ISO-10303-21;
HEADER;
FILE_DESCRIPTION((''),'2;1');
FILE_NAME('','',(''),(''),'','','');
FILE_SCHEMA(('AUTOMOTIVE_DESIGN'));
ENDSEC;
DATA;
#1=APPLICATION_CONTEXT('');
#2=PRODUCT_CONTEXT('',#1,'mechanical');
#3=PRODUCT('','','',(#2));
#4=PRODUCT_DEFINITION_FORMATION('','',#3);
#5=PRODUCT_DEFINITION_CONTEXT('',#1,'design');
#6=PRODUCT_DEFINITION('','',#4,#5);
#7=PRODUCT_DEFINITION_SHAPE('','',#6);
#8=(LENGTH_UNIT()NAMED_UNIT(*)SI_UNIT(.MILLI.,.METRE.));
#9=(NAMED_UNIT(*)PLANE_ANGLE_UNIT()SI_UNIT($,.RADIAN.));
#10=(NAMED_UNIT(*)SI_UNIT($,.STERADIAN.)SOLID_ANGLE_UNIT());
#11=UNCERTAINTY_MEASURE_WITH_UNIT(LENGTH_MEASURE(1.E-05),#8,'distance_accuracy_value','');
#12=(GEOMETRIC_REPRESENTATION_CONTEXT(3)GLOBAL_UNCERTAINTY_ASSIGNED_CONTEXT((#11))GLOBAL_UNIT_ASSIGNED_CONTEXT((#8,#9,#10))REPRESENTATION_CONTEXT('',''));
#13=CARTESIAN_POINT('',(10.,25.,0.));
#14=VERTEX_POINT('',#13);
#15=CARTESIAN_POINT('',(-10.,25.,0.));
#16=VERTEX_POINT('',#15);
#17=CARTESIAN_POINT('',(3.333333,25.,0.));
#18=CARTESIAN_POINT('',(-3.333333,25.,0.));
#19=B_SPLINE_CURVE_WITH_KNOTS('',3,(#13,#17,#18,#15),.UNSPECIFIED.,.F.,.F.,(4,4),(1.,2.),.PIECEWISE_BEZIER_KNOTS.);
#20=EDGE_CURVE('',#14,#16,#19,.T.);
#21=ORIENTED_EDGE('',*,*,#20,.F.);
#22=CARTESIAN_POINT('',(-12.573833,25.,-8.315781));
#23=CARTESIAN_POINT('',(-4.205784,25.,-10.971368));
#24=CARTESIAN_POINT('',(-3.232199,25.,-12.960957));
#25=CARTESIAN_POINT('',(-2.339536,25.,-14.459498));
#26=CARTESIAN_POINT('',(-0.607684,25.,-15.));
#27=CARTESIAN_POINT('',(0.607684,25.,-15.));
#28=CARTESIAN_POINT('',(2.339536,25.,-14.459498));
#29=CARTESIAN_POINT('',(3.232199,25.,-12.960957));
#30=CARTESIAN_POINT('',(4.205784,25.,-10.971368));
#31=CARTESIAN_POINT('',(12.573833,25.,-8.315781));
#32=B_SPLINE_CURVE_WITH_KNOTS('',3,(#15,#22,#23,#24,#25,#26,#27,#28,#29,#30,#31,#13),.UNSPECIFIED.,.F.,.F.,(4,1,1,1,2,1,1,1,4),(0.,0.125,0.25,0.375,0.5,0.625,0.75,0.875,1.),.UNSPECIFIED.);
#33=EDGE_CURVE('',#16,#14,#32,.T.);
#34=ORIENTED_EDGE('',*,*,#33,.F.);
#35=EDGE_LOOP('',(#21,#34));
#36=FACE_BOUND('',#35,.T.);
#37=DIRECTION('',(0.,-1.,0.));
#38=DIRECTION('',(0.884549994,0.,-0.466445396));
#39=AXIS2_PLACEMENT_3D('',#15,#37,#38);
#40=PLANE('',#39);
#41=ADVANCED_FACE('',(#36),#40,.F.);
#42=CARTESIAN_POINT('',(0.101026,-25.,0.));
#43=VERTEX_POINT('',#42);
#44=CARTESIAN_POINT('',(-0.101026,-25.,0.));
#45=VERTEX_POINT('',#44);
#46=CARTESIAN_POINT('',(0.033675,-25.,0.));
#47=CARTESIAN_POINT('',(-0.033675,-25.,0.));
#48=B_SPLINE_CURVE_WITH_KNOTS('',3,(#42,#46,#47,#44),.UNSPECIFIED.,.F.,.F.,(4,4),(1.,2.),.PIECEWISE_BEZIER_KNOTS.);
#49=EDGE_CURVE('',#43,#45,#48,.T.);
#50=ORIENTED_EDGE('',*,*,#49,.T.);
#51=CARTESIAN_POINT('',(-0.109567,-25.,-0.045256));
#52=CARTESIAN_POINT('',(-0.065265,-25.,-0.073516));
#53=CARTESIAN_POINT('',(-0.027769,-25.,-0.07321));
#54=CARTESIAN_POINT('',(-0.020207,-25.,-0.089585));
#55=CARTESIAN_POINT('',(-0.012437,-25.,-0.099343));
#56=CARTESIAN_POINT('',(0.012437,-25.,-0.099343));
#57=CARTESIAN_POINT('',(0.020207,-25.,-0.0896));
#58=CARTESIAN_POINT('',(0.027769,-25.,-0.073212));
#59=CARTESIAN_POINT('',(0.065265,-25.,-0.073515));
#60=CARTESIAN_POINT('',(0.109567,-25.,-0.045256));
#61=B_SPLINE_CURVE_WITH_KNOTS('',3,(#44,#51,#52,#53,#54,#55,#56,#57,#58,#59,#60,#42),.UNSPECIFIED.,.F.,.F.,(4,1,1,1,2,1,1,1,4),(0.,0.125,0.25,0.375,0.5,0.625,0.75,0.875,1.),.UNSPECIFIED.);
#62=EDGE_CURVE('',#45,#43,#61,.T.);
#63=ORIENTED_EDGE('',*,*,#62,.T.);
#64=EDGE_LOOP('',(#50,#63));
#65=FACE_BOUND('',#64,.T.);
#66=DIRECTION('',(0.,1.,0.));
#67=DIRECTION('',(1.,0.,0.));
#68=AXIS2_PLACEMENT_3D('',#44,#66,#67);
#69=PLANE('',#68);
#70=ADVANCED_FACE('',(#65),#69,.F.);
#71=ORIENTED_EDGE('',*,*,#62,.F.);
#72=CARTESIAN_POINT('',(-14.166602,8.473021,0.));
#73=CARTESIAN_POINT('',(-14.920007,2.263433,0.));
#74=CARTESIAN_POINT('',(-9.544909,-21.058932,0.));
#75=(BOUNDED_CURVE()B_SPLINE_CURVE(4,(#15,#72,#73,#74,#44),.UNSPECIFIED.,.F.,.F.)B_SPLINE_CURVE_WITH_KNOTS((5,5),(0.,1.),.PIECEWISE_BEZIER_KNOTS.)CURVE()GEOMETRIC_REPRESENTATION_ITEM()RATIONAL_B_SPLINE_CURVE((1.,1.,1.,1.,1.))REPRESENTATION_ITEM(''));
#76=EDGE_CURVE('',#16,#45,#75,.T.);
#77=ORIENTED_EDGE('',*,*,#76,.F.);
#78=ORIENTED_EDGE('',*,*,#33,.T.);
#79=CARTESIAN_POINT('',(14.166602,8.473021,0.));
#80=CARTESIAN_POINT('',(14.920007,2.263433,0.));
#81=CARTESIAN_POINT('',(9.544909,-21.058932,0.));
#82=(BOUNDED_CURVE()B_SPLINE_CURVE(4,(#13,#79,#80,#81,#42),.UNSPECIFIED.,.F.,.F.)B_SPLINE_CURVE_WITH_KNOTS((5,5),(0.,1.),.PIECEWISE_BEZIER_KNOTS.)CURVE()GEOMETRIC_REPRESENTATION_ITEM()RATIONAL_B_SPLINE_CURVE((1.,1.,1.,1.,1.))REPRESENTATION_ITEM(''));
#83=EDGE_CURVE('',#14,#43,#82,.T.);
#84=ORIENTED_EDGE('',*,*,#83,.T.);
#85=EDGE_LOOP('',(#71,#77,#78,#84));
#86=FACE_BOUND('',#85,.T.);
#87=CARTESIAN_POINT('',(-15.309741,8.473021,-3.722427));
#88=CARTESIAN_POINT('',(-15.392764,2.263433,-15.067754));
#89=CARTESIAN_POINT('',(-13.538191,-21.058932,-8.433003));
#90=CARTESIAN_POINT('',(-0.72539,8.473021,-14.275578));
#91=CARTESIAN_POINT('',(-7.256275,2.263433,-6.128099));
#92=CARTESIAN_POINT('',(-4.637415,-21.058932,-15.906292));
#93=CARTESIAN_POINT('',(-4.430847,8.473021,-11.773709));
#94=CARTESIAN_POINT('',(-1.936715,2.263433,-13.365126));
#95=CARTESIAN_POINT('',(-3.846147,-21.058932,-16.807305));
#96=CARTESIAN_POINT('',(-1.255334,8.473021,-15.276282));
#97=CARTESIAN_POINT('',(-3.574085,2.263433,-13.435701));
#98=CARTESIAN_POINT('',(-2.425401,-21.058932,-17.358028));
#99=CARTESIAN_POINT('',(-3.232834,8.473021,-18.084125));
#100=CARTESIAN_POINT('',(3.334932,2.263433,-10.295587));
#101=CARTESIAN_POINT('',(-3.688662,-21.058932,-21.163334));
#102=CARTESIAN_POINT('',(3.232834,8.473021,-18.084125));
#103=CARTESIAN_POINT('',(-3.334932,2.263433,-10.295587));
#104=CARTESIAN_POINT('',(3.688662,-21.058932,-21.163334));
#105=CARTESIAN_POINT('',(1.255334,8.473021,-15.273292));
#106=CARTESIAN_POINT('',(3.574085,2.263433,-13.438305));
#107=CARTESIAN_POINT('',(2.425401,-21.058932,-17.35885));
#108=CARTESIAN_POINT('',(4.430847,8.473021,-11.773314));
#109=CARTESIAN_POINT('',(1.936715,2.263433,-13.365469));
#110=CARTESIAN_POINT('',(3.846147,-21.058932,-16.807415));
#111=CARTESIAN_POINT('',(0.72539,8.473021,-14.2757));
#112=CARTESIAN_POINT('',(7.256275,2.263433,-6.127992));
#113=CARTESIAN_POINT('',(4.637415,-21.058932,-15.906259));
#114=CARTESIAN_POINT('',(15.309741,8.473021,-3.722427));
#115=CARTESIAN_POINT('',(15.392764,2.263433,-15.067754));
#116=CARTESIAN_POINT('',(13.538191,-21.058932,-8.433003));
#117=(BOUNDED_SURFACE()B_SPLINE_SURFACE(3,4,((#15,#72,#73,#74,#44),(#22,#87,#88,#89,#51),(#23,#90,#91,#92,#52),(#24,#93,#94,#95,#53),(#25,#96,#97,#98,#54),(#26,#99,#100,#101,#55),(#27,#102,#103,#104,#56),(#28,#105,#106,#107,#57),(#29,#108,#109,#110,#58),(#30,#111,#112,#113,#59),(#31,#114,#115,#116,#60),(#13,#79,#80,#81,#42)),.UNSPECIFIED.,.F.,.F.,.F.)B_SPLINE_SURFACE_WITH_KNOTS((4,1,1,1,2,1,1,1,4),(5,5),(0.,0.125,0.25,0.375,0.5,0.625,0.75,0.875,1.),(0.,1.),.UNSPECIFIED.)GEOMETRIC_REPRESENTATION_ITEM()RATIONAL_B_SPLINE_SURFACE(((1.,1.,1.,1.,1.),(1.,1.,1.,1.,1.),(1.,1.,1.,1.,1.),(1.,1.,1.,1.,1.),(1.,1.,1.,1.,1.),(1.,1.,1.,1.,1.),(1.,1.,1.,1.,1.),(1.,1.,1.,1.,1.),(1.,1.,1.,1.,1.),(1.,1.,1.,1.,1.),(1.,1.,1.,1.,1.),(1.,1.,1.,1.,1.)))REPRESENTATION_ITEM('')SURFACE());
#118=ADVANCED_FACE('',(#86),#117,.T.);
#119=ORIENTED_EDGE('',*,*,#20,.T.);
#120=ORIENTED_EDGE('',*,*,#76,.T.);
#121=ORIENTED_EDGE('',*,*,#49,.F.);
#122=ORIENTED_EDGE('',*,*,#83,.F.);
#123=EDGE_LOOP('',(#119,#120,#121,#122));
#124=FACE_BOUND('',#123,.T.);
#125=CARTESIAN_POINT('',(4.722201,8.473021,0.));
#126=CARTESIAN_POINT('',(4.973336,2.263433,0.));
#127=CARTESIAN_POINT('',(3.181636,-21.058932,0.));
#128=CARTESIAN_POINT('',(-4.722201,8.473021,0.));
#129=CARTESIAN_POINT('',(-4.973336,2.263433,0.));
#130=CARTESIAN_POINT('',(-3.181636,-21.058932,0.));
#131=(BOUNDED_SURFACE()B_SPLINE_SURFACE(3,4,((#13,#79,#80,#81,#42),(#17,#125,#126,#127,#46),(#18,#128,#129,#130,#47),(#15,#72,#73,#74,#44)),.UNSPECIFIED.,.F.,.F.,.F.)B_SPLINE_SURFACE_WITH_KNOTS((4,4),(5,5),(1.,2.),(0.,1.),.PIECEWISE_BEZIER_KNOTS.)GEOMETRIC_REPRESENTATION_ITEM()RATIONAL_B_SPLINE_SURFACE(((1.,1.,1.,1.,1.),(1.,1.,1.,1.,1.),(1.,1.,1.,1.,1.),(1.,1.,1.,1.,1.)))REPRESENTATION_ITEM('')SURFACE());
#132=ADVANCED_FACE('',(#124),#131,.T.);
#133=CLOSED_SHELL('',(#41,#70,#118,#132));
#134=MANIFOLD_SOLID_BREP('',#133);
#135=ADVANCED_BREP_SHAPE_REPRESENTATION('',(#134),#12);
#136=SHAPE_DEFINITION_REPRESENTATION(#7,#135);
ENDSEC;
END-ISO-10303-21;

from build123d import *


with BuildPart() as part:
    # Sketch → AdditiveLoft section 0
    with BuildSketch(Plane.XZ.offset(-25)):
        with BuildLine():
            add(Edge.make_bspline(
                [(-10, 0), (-12.573833, -8.315781), (-4.205784, -10.971368), (-3.232199, -12.960957), (-2.339536, -14.459498), (-0.607684, -15), (0, -15)],
                knots=[0, 0, 0, 0, 0.25, 0.5, 0.75, 1, 1, 1, 1], degree=3))
            add(Edge.make_bspline(
                [(10, 0), (12.573833, -8.315781), (4.205784, -10.971368), (3.232199, -12.960957), (2.339536, -14.459498), (0.607684, -15), (0, -15)],
                knots=[0, 0, 0, 0, 0.25, 0.5, 0.75, 1, 1, 1, 1], degree=3))
            Line((10, 0), (-10, 0))
        make_face()
    # Sketch004 → AdditiveLoft section 1
    with BuildSketch(Plane.XZ.offset(-3)):
        with BuildLine():
            add(Edge.make_bspline(
                [(-12.811639, 0), (-14.318181, -8.876424), (-4.023364, -10.912738), (-3.208057, -12.953197), (-2.346924, -14.46187), (-0.607617, -15), (0, -15)],
                knots=[0, 0, 0, 0, 0.25, 0.5, 0.75, 1, 1, 1, 1], degree=3))
            add(Edge.make_bspline(
                [(12.811639, 0), (14.318181, -8.876424), (4.023364, -10.912738), (3.208057, -12.953197), (2.346924, -14.46187), (0.607617, -15), (0, -15)],
                knots=[0, 0, 0, 0, 0.25, 0.5, 0.75, 1, 1, 1, 1], degree=3))
            Line((12.811639, 0), (-12.811639, 0))
        make_face()
    # Sketch005 → AdditiveLoft section 2
    with BuildSketch(Plane.XZ.offset(10)):
        with BuildLine():
            add(Edge.make_bspline(
                [(-10.229179, 0), (-12.068552, -8.572704), (-4.229363, -9.856806), (-2.656413, -12.235954), (-2.246138, -12.91213), (-0.72907, -13.694991), (0, -13.694991)],
                knots=[0, 0, 0, 0, 0.25, 0.5, 0.75, 1, 1, 1, 1], degree=3))
            add(Edge.make_bspline(
                [(10.229179, 0), (12.068552, -8.572704), (4.229363, -9.856774), (2.656413, -12.236058), (2.246138, -12.912915), (0.72907, -13.694991), (0, -13.694991)],
                knots=[0, 0, 0, 0, 0.25, 0.5, 0.75, 1, 1, 1, 1], degree=3))
            Line((10.229179, 0), (-10.229179, 0))
        make_face()
    # Sketch006 → AdditiveLoft section 3
    with BuildSketch(Plane.XZ.offset(20)):
        with BuildLine():
            add(Edge.make_bspline(
                [(-5.528413, 0), (-7.122505, -4.945542), (-2.607636, -6.972892), (-1.755141, -8.076705), (-1.345081, -8.352546), (-1.089949, -9.500938), (0, -9.500938)],
                knots=[0, 0, 0, 0, 0.25, 0.5, 0.75, 1, 1, 1, 1], degree=3))
            add(Edge.make_bspline(
                [(5.528413, 0), (7.122505, -4.945542), (2.607636, -6.972869), (1.755141, -8.07678), (1.345081, -8.35311), (1.089949, -9.500938), (0, -9.500938)],
                knots=[0, 0, 0, 0, 0.25, 0.5, 0.75, 1, 1, 1, 1], degree=3))
            Line((5.528413, 0), (-5.528413, 0))
        make_face()
    # Sketch007 → AdditiveLoft section 4
    with BuildSketch(Plane.XZ.offset(25)):
        with BuildLine():
            add(Edge.make_bspline(
                [(-0.101026, 0), (-0.109567, -0.045256), (-0.065265, -0.073516), (-0.027769, -0.07321), (-0.020207, -0.089585), (-0.012437, -0.099343), (0, -0.099343)],
                knots=[0, 0, 0, 0, 0.25, 0.5, 0.75, 1, 1, 1, 1], degree=3))
            add(Edge.make_bspline(
                [(0.101026, 0), (0.109567, -0.045256), (0.065265, -0.073515), (0.027769, -0.073212), (0.020207, -0.0896), (0.012437, -0.099343), (0, -0.099343)],
                knots=[0, 0, 0, 0, 0.25, 0.5, 0.75, 1, 1, 1, 1], degree=3))
            Line((0.101026, 0), (-0.101026, 0))
        make_face()
    loft()


solid = part.part
